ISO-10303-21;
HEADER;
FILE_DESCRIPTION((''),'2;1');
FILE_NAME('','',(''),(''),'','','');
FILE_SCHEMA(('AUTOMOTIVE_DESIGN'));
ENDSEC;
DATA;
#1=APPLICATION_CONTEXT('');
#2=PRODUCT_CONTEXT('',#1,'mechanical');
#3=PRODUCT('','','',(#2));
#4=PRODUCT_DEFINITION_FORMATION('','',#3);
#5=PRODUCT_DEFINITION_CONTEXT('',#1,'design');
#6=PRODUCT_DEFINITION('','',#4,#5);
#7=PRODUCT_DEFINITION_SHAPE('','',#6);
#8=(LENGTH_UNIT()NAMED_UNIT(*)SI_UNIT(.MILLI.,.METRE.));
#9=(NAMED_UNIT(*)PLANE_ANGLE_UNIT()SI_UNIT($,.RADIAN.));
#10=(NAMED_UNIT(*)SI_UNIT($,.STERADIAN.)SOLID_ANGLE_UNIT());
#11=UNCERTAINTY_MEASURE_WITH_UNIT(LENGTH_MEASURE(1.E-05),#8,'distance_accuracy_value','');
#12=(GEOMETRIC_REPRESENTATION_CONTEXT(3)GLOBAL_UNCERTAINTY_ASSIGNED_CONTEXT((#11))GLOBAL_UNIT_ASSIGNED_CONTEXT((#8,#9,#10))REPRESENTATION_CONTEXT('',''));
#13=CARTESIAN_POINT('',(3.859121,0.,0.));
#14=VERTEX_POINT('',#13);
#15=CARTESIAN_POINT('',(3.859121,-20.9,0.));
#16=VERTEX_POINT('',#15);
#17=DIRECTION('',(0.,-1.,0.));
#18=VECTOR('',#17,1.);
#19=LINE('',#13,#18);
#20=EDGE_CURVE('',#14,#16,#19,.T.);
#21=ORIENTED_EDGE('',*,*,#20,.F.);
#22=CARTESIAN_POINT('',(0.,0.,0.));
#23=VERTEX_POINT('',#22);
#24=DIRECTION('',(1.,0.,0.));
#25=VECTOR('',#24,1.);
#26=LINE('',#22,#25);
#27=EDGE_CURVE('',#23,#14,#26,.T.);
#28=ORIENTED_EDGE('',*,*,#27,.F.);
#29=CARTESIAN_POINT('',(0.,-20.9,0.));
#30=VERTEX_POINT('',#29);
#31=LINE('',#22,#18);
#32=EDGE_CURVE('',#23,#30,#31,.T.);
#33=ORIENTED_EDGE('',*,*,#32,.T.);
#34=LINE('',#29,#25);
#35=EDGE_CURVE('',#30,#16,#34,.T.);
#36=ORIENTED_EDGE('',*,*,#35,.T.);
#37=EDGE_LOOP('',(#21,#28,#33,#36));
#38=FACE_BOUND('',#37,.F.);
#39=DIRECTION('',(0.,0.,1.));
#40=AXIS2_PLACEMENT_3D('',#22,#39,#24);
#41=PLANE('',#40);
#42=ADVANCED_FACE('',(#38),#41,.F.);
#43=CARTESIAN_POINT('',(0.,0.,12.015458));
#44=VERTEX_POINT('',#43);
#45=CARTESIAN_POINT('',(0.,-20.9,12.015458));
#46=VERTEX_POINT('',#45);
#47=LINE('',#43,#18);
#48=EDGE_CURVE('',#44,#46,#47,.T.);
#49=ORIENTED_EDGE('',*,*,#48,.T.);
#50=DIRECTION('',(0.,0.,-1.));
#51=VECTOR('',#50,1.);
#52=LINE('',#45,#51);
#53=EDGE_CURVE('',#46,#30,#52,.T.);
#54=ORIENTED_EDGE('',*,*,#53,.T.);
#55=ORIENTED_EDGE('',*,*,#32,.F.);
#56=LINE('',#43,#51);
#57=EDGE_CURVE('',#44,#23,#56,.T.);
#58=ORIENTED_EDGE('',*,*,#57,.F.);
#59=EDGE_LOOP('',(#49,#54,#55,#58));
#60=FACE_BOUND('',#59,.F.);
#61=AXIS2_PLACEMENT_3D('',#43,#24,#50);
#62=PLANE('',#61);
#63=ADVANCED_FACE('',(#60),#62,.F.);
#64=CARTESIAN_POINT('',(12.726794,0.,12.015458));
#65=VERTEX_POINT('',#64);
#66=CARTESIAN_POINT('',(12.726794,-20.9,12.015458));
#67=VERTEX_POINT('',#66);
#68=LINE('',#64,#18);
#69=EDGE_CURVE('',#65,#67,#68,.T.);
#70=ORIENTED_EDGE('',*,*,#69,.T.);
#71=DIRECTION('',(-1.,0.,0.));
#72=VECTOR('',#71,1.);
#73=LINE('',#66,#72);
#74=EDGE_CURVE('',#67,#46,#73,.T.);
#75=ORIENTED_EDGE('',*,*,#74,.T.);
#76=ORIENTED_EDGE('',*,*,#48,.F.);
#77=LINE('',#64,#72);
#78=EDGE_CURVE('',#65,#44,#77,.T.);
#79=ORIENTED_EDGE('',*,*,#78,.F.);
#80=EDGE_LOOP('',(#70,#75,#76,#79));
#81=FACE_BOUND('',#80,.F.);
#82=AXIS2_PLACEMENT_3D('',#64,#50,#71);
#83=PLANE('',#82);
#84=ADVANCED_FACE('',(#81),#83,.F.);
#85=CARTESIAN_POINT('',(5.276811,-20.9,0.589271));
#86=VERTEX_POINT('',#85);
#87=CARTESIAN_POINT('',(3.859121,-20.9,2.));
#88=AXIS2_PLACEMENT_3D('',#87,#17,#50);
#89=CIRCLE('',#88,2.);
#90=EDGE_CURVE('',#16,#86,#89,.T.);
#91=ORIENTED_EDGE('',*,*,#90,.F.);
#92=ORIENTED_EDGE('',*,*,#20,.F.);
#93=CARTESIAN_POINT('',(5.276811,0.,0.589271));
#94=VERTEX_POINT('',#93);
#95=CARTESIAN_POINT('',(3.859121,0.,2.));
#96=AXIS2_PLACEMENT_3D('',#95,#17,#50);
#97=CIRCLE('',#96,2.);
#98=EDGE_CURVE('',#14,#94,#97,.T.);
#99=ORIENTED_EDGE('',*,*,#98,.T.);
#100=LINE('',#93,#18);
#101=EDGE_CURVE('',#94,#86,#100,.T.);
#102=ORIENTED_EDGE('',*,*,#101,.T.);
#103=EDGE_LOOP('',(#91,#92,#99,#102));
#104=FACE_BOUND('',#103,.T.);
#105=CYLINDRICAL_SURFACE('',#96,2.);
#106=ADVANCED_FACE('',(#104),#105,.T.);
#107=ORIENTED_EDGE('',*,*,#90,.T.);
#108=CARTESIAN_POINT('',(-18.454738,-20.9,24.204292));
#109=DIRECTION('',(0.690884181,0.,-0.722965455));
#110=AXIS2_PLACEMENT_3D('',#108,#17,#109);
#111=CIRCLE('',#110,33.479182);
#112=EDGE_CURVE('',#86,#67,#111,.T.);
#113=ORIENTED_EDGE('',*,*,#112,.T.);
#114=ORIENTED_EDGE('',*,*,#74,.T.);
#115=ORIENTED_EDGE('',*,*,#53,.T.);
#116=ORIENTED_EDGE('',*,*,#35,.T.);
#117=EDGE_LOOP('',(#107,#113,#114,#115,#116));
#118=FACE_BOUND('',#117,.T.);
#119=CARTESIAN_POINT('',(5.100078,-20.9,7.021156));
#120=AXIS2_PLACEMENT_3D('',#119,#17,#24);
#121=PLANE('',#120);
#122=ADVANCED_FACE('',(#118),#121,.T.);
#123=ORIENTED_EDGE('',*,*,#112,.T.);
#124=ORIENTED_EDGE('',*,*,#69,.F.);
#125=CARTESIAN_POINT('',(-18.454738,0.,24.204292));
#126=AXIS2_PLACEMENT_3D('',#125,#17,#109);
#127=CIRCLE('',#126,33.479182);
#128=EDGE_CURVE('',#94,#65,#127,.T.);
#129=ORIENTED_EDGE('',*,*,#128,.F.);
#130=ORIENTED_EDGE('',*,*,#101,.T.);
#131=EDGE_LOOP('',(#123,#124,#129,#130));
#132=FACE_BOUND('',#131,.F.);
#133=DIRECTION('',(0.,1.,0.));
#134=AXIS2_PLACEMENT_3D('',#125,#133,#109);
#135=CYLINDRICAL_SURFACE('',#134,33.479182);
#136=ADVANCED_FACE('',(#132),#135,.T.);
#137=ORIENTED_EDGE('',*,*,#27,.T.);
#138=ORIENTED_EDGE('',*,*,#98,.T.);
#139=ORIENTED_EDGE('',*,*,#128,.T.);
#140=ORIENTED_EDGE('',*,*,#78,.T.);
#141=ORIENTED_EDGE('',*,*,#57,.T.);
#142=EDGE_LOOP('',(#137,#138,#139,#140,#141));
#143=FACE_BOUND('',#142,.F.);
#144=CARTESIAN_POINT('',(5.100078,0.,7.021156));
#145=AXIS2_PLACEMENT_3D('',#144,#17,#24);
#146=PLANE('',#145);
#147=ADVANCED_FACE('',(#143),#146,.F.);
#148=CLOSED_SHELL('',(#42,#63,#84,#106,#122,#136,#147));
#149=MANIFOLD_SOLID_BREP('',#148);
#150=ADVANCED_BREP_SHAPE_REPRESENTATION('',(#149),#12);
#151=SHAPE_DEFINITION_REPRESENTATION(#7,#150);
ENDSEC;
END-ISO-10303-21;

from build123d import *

# Parameters (mm, degrees)
F1_DEPTH = 20.9
F2_R     = 2


with BuildPart() as f1:
    # F0 (on Front) → F1 (new body)
    with BuildSketch(Plane.XZ):
        with BuildLine():
            Line((0, 12.015458), (0, 0))
            Line((0, 0), (4.675499, 0))
            ThreePointArc((4.675499, 0), (9.357757, 5.567749), (12.726794, 12.015458))
            Line((12.726794, 12.015458), (0, 12.015458))
        make_face()
    extrude(amount=F1_DEPTH)

    # F2
    f2_edges = [f1.edges().sort_by_distance(p)[0] for p in [
        (4.675499, -10.45, 0),
    ]]
    fillet(f2_edges, radius=F2_R)


solid = f1.part
